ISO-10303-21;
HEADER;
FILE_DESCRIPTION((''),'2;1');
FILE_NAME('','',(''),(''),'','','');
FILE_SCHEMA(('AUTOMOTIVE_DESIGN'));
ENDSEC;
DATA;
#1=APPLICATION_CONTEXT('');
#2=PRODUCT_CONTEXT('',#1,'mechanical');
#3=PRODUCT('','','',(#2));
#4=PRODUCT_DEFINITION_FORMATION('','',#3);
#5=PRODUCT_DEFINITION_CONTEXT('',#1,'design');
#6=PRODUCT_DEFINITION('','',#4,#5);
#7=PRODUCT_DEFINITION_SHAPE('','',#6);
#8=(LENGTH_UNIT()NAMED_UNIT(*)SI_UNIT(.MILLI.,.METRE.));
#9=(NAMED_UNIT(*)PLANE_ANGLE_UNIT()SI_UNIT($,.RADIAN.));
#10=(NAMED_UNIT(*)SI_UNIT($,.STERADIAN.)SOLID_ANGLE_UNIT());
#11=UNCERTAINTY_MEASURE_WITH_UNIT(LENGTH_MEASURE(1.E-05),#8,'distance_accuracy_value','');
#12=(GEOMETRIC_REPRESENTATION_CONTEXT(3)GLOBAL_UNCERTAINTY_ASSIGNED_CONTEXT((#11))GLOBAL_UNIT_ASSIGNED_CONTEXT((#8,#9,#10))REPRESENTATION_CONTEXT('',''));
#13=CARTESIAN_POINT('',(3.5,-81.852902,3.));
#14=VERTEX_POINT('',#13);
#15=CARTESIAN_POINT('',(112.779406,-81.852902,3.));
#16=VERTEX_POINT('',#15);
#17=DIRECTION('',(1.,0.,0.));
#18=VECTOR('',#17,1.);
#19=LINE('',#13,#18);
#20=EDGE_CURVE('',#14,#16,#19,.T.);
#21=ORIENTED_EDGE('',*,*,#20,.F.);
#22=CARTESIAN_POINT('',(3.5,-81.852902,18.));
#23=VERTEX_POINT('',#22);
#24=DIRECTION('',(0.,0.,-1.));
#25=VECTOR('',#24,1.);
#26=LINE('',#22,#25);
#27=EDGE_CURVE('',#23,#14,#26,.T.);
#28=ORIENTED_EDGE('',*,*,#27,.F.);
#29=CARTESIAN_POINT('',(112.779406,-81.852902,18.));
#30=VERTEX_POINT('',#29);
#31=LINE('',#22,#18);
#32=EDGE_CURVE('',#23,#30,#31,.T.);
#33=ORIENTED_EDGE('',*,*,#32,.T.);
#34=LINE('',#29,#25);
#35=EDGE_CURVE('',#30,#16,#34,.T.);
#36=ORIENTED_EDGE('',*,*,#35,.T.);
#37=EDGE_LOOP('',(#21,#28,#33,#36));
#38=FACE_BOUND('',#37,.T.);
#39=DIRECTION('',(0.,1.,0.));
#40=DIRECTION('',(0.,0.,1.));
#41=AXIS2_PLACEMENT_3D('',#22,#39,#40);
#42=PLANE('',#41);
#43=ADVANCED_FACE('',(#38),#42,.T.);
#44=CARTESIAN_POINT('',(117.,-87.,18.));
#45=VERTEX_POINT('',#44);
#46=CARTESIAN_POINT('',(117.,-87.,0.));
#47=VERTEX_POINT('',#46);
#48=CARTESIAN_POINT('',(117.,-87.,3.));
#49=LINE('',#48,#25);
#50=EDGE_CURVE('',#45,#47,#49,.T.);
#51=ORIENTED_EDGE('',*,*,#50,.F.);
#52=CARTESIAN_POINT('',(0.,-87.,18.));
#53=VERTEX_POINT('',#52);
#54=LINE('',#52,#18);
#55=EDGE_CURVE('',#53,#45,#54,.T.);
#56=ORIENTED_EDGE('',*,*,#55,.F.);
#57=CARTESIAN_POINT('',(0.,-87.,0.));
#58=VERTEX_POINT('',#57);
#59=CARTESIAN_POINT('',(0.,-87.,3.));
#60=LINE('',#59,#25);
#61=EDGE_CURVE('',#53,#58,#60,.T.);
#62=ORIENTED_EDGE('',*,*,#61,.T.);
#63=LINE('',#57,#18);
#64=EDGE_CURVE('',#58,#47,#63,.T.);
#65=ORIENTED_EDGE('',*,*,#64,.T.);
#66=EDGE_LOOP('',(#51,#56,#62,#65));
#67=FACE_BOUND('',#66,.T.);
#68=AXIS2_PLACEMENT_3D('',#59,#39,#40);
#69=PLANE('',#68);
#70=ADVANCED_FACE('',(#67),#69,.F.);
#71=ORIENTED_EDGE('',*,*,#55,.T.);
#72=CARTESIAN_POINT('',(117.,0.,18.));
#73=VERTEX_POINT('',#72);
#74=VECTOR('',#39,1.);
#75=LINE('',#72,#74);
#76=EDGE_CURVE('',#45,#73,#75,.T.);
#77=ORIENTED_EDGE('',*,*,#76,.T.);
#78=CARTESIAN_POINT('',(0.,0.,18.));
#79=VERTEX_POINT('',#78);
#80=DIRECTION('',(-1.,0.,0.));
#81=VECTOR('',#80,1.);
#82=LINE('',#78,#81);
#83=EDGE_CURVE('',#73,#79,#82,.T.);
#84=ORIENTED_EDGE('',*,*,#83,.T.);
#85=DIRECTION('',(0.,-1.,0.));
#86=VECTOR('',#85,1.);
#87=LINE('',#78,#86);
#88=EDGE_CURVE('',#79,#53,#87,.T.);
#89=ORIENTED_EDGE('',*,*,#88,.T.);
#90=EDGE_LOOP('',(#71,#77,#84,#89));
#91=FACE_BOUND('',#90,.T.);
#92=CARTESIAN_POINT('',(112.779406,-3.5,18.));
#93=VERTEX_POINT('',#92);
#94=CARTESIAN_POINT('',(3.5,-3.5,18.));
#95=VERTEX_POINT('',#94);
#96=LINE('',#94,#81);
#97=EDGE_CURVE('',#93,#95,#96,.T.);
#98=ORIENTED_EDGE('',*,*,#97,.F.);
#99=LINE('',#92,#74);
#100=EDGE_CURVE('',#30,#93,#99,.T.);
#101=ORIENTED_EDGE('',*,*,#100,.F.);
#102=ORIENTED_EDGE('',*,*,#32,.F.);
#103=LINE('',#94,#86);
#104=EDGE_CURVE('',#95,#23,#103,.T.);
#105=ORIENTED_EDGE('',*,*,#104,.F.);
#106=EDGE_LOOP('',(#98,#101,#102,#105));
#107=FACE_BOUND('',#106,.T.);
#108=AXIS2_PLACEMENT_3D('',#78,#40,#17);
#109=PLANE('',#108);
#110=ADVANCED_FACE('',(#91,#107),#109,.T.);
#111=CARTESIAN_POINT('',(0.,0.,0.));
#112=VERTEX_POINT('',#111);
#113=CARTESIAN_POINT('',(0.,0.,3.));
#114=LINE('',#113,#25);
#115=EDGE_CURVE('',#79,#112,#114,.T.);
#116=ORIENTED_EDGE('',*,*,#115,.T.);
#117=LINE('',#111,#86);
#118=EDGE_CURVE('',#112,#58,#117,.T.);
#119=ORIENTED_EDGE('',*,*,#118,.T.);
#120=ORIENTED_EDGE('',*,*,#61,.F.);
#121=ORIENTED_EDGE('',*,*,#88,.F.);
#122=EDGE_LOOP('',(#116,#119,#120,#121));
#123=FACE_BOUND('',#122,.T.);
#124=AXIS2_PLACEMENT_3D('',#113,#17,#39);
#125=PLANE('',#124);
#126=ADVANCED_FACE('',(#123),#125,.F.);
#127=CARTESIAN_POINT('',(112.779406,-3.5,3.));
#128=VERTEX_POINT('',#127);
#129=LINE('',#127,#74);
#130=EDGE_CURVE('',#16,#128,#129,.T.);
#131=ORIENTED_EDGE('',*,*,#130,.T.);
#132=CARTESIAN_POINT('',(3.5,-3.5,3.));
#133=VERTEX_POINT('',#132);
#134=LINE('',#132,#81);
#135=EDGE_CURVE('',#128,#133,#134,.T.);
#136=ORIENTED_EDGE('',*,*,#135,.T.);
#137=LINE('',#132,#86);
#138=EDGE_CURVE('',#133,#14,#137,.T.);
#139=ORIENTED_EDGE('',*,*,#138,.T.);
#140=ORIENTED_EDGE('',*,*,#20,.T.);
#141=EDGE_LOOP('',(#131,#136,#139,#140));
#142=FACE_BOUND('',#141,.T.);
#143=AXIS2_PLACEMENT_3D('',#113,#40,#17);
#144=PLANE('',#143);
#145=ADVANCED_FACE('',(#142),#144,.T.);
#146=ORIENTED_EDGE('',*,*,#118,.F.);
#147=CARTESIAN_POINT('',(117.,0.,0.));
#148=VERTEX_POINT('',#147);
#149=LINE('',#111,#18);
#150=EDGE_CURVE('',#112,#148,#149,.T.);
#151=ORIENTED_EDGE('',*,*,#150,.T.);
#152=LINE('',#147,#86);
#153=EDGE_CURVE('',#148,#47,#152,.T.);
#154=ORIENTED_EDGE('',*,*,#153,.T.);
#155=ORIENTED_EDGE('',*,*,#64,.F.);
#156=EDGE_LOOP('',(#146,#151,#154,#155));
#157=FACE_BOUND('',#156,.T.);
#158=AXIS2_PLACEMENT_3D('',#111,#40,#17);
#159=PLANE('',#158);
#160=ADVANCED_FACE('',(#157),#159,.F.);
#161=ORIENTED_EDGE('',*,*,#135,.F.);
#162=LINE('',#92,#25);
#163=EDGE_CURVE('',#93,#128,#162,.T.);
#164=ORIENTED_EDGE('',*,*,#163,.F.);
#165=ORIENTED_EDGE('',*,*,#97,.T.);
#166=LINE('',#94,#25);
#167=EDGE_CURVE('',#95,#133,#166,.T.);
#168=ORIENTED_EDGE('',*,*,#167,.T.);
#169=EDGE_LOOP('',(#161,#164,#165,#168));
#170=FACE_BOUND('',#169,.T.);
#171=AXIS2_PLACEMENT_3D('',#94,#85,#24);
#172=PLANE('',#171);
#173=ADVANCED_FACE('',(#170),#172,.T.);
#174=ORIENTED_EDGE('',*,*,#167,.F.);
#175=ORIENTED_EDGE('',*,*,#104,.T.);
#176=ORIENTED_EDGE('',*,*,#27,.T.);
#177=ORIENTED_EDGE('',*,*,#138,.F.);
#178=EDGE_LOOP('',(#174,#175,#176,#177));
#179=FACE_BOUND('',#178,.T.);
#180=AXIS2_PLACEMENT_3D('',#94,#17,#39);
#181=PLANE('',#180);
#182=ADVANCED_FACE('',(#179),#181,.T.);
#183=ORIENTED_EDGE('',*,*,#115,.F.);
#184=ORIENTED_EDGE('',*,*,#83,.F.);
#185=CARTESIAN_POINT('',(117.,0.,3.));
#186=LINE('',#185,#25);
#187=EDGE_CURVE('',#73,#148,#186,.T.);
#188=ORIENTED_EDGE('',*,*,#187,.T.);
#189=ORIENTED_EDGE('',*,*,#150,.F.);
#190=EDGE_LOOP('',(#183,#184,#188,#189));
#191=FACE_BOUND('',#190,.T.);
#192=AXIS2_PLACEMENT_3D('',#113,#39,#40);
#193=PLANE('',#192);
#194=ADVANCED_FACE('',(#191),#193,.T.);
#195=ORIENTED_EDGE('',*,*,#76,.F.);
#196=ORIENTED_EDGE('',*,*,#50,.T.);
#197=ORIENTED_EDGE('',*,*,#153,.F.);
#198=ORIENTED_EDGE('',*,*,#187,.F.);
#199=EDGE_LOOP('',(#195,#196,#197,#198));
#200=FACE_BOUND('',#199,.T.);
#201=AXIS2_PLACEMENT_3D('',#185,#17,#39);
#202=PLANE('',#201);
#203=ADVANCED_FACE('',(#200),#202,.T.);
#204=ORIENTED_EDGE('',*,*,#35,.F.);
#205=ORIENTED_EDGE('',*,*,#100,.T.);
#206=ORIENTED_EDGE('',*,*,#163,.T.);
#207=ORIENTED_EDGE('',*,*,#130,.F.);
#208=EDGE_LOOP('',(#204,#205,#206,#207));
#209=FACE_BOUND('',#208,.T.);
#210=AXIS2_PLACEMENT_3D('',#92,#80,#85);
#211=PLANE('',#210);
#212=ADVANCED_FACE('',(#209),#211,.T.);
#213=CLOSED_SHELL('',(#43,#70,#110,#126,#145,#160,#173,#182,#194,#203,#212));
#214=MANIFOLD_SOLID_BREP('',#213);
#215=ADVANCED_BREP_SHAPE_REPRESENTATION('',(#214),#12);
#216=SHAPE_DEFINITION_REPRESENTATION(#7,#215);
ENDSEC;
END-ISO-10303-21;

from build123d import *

# Parameters (mm, degrees)
SKETCH_1_W      = 117
SKETCH_1_H      = 87
SKETCH_1_W_2    = 110
SKETCH_1_H_2    = 80
EXTRUDE_1_DEPTH = 3
SKETCH_2_W      = 117
SKETCH_2_H      = 87
SKETCH_2_W_2    = 109.279406394
SKETCH_2_H_2    = 78.35290245
EXTRUDE_2_DEPTH = 15


with BuildPart() as part:
    # 草图1 → 凸台-拉伸1 (new body)
    # profile 1 of 2: a face of its own
    with BuildSketch(Plane.XY):
        with Locations((58.5, -43.5)):
            Rectangle(SKETCH_1_W, SKETCH_1_H)
        with Locations((58.5, -43.5)):
            Rectangle(SKETCH_1_W_2, SKETCH_1_H_2, mode=Mode.SUBTRACT)
    # profile 2 of 2: a face of its own
    with BuildSketch(Plane.XY):
        with Locations((58.5, -43.5)):
            Rectangle(SKETCH_1_W_2, SKETCH_1_H_2)
    extrude(amount=EXTRUDE_1_DEPTH)

    # 草图2 → 凸台-拉伸2 (add)
    with BuildSketch(Plane.XY.offset(3)):
        with Locations((58.5, -43.5)):
            Rectangle(SKETCH_2_W, SKETCH_2_H)
        with Locations((58.139703197, -42.676451225)):
            Rectangle(SKETCH_2_W_2, SKETCH_2_H_2, mode=Mode.SUBTRACT)
    extrude(amount=EXTRUDE_2_DEPTH)


solid = part.part
